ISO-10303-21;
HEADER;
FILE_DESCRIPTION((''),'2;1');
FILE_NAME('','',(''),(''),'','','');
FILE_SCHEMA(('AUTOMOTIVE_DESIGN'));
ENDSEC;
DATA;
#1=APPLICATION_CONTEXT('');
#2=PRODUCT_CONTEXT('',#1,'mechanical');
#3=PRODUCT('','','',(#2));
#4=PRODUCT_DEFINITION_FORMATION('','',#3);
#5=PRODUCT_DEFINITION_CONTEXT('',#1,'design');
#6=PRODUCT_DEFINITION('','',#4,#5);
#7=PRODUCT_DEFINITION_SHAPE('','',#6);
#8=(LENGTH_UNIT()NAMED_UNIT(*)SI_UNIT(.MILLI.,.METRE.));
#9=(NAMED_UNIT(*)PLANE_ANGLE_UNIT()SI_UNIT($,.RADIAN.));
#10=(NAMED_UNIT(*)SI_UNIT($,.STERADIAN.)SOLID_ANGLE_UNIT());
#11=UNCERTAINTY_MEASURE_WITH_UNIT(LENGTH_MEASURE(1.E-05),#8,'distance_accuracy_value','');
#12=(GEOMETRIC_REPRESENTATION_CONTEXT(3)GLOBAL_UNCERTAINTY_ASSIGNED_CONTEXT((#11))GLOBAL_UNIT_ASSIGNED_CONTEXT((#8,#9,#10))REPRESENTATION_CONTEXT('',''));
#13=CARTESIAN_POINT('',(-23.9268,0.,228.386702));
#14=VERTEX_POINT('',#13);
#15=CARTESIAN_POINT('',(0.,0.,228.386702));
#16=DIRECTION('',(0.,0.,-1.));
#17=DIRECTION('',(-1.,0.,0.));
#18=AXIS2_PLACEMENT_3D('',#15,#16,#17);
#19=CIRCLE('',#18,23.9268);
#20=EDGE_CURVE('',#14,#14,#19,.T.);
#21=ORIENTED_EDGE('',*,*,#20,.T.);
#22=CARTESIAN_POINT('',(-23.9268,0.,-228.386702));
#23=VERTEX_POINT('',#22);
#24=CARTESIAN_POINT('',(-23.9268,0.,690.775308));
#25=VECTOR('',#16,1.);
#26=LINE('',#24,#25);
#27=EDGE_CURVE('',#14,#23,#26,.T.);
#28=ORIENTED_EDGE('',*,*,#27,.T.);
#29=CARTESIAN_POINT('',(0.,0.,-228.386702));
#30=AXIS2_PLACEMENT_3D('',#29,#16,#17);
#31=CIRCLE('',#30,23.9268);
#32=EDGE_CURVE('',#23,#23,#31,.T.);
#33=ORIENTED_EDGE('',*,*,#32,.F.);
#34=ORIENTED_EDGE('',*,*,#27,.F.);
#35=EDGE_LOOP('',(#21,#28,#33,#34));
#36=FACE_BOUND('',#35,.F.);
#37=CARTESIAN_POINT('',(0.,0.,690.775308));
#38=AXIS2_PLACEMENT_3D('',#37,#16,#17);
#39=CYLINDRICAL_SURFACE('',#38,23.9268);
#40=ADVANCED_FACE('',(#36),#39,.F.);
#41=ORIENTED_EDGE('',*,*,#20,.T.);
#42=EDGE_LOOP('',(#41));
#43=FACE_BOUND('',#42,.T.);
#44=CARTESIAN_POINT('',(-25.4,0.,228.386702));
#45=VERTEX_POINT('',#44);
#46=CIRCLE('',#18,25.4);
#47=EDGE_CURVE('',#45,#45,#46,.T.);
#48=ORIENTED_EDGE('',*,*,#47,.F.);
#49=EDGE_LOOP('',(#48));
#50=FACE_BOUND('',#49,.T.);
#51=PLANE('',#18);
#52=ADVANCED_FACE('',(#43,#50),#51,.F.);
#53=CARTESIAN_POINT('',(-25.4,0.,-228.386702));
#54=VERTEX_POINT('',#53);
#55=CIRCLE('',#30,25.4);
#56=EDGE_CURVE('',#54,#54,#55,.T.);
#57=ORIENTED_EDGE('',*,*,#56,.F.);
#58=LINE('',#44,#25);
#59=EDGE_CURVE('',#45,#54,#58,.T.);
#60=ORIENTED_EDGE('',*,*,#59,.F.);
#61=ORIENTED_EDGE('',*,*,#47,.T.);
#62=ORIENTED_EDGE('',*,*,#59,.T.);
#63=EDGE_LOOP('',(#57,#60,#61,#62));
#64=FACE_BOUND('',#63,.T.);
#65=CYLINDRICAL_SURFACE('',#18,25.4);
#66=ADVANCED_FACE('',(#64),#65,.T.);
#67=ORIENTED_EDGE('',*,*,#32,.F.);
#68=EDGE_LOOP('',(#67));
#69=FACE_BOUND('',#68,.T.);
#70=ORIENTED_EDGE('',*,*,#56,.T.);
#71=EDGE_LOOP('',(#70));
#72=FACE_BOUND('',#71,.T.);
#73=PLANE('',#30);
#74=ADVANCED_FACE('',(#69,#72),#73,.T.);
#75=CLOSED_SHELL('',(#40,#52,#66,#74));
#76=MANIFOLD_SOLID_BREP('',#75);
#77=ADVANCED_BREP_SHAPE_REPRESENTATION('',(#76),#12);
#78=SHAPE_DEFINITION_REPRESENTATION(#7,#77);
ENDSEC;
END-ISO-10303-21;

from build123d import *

# Parameters (mm, degrees)
F3_D = 47.8536


with BuildPart() as f1:
    # F0 (on Front) → F1 (revolve)
    with BuildSketch(Plane.XZ):
        Polygon((0, 0), (0, 228.386702), (-25.4, 228.386702), (-25.4, -228.386702), (0, -228.386702), align=None)
    revolve(axis=Axis((0, 0, -114.193351), (0, 0, -1)))

    # F3 (through all)
    with Locations(Plane.XY.offset(228.386702)):
        with Locations((0, 0)):
            Hole(F3_D / 2)


solid = f1.part
